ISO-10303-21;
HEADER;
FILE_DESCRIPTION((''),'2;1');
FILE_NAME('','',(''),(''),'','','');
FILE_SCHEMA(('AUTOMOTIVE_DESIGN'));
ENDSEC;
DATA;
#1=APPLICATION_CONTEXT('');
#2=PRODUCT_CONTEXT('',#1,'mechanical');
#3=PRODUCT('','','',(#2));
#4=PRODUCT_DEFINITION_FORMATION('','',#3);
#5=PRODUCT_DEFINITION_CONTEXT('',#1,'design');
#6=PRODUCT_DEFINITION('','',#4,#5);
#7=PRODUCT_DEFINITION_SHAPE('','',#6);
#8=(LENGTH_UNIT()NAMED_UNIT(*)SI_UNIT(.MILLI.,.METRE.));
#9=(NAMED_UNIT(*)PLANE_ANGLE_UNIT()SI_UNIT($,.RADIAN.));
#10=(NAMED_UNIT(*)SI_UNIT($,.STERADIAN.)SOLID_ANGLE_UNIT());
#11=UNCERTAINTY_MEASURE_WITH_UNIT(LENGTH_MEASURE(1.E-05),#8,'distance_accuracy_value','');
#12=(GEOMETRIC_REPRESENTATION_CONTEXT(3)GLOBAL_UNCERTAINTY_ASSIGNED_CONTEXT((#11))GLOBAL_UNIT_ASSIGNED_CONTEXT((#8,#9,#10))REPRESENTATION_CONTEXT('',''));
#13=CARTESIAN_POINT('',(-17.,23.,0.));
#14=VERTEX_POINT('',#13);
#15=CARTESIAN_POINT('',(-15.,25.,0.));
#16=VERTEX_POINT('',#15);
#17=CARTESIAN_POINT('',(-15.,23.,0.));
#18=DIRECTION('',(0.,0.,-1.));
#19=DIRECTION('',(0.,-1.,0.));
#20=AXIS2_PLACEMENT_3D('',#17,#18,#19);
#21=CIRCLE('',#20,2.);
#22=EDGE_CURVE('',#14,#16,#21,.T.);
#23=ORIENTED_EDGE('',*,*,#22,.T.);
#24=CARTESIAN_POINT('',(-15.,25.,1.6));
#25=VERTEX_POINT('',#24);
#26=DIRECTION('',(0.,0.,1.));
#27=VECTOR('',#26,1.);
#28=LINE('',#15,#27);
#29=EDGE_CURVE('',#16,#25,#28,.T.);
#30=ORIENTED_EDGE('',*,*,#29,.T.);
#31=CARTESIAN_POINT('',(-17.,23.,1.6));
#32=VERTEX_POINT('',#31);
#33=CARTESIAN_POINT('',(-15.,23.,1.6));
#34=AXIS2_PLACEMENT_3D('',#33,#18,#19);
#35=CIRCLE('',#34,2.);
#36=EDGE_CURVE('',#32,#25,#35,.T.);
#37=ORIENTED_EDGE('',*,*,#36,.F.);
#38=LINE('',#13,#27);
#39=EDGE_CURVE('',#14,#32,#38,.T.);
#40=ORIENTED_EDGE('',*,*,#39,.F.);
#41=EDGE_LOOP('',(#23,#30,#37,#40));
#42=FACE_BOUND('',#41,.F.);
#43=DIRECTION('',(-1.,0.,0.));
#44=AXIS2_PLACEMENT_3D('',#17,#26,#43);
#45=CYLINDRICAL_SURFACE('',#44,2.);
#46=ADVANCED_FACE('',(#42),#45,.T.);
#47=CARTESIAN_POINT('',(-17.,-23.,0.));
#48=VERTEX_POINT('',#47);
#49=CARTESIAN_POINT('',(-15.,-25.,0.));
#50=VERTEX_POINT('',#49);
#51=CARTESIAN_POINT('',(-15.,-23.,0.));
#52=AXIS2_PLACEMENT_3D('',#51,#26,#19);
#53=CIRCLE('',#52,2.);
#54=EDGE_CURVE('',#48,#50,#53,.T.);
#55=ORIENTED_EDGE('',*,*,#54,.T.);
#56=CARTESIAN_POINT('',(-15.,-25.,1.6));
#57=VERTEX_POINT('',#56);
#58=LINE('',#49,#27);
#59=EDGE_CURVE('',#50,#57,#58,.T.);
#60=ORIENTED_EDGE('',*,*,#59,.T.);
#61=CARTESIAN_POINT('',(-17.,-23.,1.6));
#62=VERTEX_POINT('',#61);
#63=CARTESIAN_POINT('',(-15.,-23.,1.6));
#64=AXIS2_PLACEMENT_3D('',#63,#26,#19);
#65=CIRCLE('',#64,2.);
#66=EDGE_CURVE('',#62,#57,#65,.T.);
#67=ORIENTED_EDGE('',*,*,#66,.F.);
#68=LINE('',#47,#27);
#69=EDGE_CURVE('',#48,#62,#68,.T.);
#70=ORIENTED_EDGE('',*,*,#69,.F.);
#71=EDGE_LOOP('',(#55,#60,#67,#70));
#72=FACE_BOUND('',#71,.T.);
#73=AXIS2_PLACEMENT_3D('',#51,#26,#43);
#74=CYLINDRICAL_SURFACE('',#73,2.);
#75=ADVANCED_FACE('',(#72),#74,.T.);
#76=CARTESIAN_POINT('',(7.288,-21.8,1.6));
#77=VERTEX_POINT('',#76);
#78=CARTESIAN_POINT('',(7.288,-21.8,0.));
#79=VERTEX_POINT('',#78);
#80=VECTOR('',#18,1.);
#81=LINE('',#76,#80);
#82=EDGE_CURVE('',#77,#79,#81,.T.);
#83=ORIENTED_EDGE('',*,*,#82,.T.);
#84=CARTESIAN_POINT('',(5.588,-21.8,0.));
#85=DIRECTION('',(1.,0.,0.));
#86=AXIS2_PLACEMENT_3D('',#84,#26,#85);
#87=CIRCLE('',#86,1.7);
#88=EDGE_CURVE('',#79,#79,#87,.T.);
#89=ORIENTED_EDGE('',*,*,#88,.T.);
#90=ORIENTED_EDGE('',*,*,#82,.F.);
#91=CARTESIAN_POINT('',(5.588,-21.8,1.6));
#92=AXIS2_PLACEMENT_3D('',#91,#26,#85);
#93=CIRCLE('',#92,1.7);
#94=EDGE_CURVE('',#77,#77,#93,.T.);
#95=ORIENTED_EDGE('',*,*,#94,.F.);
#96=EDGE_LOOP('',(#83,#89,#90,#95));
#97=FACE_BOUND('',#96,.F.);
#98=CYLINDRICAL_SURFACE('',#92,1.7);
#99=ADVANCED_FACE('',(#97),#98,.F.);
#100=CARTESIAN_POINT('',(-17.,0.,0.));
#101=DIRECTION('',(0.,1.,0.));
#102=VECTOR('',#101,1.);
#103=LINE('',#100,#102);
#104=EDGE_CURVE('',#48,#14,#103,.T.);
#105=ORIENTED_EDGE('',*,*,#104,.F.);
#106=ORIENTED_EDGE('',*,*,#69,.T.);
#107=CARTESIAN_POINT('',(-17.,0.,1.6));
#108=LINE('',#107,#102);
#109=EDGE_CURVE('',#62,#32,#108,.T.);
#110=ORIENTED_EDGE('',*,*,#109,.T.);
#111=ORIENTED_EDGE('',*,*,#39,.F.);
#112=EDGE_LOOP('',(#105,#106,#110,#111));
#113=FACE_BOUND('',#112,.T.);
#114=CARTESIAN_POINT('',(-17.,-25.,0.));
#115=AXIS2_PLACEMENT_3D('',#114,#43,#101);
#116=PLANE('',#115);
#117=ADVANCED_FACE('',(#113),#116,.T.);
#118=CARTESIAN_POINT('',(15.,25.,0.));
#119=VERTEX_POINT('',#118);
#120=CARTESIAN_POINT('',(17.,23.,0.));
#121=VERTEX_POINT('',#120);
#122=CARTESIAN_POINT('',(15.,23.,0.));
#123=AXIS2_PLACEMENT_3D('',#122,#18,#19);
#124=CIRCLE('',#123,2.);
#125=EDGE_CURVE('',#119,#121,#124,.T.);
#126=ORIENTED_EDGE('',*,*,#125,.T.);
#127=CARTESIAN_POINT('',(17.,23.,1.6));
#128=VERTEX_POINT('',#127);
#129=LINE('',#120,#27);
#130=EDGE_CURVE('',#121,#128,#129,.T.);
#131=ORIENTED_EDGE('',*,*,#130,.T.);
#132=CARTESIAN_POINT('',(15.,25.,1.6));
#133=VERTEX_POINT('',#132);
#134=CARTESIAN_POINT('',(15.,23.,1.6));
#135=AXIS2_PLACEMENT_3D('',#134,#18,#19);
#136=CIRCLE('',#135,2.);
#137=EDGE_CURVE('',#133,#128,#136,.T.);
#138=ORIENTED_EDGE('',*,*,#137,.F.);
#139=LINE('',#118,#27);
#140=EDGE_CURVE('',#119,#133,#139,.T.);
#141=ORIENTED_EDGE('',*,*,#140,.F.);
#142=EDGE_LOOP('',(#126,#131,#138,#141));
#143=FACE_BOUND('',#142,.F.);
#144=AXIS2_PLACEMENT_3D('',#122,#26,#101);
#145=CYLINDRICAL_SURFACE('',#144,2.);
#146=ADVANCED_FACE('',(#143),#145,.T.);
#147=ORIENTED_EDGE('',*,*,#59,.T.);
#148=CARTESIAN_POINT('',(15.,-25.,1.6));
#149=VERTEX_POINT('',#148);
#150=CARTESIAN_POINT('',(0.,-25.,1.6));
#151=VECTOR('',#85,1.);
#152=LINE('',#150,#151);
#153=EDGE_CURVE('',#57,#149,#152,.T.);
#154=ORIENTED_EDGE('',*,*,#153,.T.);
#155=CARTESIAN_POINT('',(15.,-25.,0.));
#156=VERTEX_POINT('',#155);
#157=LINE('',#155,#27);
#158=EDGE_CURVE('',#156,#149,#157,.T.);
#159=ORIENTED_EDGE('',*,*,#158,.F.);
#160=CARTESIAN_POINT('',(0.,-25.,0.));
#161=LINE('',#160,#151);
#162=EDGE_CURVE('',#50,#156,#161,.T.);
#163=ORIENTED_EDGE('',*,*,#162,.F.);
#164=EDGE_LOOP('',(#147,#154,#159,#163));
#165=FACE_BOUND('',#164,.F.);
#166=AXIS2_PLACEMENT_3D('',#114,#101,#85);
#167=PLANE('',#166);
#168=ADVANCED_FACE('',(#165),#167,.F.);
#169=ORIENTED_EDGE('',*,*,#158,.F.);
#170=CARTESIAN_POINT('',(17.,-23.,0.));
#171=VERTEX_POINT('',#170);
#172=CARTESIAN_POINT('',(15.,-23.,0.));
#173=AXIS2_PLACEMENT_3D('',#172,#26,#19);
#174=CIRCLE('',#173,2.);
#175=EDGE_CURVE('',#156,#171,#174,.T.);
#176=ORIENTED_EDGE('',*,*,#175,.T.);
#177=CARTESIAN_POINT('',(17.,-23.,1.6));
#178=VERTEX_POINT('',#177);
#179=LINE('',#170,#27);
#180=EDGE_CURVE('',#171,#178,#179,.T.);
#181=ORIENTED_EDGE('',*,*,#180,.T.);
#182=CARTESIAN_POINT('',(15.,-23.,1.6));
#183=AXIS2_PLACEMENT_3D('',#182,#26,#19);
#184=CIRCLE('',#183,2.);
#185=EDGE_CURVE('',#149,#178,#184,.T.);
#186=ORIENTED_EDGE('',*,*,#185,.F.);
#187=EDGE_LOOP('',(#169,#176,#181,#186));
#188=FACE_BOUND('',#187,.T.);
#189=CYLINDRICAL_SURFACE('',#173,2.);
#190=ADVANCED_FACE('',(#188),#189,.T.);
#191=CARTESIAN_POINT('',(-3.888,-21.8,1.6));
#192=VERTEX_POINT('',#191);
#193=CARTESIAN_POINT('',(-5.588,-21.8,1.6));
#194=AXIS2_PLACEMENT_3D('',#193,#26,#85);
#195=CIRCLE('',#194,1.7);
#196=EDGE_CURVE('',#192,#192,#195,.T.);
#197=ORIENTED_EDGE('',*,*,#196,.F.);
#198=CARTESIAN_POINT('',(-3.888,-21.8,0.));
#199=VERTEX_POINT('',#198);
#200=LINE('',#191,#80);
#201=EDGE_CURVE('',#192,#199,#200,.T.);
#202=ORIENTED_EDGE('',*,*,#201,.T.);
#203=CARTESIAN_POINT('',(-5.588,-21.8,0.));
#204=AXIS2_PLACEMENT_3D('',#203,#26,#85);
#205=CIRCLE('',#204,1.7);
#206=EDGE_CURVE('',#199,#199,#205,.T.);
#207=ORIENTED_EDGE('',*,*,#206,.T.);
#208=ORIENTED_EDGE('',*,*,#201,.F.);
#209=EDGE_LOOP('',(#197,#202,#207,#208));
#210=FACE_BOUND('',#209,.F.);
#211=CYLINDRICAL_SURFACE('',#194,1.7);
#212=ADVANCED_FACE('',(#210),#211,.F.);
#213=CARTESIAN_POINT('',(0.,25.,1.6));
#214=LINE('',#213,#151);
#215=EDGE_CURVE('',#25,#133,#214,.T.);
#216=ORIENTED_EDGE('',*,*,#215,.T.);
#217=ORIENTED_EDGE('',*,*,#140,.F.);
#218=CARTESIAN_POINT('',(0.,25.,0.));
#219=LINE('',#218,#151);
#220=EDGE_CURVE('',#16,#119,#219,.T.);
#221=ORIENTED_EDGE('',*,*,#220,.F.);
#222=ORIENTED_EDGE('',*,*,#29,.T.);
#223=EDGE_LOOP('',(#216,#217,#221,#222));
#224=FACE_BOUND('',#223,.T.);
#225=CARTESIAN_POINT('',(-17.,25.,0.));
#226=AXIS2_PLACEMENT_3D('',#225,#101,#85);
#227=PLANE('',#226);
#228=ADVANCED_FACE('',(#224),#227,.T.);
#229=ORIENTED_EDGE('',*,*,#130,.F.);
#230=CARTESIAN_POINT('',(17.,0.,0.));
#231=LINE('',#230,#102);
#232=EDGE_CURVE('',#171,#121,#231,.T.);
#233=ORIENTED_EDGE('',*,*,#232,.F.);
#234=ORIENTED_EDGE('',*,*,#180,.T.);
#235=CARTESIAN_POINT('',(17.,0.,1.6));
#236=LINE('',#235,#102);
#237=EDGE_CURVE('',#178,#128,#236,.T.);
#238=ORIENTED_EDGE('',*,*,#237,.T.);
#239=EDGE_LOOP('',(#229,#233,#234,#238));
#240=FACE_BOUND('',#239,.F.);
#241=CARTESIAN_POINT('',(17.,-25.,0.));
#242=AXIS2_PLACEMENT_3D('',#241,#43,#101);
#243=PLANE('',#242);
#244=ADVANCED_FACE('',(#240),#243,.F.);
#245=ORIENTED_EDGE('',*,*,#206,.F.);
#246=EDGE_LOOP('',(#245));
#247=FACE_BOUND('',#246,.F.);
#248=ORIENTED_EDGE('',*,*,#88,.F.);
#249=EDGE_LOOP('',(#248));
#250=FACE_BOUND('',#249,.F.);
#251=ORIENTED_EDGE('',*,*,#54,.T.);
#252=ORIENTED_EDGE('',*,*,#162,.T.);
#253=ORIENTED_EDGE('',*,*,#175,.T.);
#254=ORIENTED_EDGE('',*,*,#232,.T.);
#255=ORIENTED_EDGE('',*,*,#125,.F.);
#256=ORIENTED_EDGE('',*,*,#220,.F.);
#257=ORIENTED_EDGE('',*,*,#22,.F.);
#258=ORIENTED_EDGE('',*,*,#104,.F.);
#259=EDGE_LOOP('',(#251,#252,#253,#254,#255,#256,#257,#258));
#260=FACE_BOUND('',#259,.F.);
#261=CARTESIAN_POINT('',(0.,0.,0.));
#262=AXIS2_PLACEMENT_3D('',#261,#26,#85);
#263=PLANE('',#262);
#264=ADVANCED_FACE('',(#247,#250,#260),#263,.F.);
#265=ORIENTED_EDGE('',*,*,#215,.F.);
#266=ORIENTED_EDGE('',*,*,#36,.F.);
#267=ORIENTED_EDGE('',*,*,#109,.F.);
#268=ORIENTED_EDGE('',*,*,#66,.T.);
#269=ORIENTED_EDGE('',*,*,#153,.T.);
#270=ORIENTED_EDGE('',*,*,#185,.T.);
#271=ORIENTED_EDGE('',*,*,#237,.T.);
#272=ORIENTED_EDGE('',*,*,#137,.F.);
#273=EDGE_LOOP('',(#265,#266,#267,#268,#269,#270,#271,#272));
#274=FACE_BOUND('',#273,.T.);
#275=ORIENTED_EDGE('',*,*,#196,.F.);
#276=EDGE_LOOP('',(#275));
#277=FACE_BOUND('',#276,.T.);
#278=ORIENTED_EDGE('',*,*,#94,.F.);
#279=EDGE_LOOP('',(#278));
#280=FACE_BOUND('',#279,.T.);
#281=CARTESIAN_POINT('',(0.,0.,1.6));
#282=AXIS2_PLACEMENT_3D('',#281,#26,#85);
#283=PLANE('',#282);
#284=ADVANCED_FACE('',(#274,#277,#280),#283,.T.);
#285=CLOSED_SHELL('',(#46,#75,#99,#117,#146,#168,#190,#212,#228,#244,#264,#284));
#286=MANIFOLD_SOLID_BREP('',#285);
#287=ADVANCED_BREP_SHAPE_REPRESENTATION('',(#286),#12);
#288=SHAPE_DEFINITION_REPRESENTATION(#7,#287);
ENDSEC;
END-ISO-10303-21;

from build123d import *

# Parameters (mm, degrees)
SKETCH_W    = 34
SKETCH_H    = 50
PAD_DEPTH   = 1.6
SKETCH001_R = 1.7
HOLE_DEPTH  = 25
FILLET_R    = 2


with BuildPart() as part:
    # Sketch → Pad (new body)
    with BuildSketch(Plane.XY):
        Rectangle(SKETCH_W, SKETCH_H)
    extrude(amount=PAD_DEPTH)

    # Sketch001 (on Face6 of Pad) → Hole (cut)
    with BuildSketch(Plane.XY.offset(1.6)):
        with Locations((-5.588, -21.8)):
            Circle(SKETCH001_R)
        with Locations((5.588, -21.8)):
            Circle(SKETCH001_R)
    extrude(amount=-HOLE_DEPTH, mode=Mode.SUBTRACT)

    # Fillet
    fillet_edges = [part.edges().sort_by_distance(p)[0] for p in [
        (-17, 25, 0.8),
        (17, 25, 0.8),
        (17, -25, 0.8),
        (-17, -25, 0.8),
    ]]
    fillet(fillet_edges, radius=FILLET_R)


solid = part.part
